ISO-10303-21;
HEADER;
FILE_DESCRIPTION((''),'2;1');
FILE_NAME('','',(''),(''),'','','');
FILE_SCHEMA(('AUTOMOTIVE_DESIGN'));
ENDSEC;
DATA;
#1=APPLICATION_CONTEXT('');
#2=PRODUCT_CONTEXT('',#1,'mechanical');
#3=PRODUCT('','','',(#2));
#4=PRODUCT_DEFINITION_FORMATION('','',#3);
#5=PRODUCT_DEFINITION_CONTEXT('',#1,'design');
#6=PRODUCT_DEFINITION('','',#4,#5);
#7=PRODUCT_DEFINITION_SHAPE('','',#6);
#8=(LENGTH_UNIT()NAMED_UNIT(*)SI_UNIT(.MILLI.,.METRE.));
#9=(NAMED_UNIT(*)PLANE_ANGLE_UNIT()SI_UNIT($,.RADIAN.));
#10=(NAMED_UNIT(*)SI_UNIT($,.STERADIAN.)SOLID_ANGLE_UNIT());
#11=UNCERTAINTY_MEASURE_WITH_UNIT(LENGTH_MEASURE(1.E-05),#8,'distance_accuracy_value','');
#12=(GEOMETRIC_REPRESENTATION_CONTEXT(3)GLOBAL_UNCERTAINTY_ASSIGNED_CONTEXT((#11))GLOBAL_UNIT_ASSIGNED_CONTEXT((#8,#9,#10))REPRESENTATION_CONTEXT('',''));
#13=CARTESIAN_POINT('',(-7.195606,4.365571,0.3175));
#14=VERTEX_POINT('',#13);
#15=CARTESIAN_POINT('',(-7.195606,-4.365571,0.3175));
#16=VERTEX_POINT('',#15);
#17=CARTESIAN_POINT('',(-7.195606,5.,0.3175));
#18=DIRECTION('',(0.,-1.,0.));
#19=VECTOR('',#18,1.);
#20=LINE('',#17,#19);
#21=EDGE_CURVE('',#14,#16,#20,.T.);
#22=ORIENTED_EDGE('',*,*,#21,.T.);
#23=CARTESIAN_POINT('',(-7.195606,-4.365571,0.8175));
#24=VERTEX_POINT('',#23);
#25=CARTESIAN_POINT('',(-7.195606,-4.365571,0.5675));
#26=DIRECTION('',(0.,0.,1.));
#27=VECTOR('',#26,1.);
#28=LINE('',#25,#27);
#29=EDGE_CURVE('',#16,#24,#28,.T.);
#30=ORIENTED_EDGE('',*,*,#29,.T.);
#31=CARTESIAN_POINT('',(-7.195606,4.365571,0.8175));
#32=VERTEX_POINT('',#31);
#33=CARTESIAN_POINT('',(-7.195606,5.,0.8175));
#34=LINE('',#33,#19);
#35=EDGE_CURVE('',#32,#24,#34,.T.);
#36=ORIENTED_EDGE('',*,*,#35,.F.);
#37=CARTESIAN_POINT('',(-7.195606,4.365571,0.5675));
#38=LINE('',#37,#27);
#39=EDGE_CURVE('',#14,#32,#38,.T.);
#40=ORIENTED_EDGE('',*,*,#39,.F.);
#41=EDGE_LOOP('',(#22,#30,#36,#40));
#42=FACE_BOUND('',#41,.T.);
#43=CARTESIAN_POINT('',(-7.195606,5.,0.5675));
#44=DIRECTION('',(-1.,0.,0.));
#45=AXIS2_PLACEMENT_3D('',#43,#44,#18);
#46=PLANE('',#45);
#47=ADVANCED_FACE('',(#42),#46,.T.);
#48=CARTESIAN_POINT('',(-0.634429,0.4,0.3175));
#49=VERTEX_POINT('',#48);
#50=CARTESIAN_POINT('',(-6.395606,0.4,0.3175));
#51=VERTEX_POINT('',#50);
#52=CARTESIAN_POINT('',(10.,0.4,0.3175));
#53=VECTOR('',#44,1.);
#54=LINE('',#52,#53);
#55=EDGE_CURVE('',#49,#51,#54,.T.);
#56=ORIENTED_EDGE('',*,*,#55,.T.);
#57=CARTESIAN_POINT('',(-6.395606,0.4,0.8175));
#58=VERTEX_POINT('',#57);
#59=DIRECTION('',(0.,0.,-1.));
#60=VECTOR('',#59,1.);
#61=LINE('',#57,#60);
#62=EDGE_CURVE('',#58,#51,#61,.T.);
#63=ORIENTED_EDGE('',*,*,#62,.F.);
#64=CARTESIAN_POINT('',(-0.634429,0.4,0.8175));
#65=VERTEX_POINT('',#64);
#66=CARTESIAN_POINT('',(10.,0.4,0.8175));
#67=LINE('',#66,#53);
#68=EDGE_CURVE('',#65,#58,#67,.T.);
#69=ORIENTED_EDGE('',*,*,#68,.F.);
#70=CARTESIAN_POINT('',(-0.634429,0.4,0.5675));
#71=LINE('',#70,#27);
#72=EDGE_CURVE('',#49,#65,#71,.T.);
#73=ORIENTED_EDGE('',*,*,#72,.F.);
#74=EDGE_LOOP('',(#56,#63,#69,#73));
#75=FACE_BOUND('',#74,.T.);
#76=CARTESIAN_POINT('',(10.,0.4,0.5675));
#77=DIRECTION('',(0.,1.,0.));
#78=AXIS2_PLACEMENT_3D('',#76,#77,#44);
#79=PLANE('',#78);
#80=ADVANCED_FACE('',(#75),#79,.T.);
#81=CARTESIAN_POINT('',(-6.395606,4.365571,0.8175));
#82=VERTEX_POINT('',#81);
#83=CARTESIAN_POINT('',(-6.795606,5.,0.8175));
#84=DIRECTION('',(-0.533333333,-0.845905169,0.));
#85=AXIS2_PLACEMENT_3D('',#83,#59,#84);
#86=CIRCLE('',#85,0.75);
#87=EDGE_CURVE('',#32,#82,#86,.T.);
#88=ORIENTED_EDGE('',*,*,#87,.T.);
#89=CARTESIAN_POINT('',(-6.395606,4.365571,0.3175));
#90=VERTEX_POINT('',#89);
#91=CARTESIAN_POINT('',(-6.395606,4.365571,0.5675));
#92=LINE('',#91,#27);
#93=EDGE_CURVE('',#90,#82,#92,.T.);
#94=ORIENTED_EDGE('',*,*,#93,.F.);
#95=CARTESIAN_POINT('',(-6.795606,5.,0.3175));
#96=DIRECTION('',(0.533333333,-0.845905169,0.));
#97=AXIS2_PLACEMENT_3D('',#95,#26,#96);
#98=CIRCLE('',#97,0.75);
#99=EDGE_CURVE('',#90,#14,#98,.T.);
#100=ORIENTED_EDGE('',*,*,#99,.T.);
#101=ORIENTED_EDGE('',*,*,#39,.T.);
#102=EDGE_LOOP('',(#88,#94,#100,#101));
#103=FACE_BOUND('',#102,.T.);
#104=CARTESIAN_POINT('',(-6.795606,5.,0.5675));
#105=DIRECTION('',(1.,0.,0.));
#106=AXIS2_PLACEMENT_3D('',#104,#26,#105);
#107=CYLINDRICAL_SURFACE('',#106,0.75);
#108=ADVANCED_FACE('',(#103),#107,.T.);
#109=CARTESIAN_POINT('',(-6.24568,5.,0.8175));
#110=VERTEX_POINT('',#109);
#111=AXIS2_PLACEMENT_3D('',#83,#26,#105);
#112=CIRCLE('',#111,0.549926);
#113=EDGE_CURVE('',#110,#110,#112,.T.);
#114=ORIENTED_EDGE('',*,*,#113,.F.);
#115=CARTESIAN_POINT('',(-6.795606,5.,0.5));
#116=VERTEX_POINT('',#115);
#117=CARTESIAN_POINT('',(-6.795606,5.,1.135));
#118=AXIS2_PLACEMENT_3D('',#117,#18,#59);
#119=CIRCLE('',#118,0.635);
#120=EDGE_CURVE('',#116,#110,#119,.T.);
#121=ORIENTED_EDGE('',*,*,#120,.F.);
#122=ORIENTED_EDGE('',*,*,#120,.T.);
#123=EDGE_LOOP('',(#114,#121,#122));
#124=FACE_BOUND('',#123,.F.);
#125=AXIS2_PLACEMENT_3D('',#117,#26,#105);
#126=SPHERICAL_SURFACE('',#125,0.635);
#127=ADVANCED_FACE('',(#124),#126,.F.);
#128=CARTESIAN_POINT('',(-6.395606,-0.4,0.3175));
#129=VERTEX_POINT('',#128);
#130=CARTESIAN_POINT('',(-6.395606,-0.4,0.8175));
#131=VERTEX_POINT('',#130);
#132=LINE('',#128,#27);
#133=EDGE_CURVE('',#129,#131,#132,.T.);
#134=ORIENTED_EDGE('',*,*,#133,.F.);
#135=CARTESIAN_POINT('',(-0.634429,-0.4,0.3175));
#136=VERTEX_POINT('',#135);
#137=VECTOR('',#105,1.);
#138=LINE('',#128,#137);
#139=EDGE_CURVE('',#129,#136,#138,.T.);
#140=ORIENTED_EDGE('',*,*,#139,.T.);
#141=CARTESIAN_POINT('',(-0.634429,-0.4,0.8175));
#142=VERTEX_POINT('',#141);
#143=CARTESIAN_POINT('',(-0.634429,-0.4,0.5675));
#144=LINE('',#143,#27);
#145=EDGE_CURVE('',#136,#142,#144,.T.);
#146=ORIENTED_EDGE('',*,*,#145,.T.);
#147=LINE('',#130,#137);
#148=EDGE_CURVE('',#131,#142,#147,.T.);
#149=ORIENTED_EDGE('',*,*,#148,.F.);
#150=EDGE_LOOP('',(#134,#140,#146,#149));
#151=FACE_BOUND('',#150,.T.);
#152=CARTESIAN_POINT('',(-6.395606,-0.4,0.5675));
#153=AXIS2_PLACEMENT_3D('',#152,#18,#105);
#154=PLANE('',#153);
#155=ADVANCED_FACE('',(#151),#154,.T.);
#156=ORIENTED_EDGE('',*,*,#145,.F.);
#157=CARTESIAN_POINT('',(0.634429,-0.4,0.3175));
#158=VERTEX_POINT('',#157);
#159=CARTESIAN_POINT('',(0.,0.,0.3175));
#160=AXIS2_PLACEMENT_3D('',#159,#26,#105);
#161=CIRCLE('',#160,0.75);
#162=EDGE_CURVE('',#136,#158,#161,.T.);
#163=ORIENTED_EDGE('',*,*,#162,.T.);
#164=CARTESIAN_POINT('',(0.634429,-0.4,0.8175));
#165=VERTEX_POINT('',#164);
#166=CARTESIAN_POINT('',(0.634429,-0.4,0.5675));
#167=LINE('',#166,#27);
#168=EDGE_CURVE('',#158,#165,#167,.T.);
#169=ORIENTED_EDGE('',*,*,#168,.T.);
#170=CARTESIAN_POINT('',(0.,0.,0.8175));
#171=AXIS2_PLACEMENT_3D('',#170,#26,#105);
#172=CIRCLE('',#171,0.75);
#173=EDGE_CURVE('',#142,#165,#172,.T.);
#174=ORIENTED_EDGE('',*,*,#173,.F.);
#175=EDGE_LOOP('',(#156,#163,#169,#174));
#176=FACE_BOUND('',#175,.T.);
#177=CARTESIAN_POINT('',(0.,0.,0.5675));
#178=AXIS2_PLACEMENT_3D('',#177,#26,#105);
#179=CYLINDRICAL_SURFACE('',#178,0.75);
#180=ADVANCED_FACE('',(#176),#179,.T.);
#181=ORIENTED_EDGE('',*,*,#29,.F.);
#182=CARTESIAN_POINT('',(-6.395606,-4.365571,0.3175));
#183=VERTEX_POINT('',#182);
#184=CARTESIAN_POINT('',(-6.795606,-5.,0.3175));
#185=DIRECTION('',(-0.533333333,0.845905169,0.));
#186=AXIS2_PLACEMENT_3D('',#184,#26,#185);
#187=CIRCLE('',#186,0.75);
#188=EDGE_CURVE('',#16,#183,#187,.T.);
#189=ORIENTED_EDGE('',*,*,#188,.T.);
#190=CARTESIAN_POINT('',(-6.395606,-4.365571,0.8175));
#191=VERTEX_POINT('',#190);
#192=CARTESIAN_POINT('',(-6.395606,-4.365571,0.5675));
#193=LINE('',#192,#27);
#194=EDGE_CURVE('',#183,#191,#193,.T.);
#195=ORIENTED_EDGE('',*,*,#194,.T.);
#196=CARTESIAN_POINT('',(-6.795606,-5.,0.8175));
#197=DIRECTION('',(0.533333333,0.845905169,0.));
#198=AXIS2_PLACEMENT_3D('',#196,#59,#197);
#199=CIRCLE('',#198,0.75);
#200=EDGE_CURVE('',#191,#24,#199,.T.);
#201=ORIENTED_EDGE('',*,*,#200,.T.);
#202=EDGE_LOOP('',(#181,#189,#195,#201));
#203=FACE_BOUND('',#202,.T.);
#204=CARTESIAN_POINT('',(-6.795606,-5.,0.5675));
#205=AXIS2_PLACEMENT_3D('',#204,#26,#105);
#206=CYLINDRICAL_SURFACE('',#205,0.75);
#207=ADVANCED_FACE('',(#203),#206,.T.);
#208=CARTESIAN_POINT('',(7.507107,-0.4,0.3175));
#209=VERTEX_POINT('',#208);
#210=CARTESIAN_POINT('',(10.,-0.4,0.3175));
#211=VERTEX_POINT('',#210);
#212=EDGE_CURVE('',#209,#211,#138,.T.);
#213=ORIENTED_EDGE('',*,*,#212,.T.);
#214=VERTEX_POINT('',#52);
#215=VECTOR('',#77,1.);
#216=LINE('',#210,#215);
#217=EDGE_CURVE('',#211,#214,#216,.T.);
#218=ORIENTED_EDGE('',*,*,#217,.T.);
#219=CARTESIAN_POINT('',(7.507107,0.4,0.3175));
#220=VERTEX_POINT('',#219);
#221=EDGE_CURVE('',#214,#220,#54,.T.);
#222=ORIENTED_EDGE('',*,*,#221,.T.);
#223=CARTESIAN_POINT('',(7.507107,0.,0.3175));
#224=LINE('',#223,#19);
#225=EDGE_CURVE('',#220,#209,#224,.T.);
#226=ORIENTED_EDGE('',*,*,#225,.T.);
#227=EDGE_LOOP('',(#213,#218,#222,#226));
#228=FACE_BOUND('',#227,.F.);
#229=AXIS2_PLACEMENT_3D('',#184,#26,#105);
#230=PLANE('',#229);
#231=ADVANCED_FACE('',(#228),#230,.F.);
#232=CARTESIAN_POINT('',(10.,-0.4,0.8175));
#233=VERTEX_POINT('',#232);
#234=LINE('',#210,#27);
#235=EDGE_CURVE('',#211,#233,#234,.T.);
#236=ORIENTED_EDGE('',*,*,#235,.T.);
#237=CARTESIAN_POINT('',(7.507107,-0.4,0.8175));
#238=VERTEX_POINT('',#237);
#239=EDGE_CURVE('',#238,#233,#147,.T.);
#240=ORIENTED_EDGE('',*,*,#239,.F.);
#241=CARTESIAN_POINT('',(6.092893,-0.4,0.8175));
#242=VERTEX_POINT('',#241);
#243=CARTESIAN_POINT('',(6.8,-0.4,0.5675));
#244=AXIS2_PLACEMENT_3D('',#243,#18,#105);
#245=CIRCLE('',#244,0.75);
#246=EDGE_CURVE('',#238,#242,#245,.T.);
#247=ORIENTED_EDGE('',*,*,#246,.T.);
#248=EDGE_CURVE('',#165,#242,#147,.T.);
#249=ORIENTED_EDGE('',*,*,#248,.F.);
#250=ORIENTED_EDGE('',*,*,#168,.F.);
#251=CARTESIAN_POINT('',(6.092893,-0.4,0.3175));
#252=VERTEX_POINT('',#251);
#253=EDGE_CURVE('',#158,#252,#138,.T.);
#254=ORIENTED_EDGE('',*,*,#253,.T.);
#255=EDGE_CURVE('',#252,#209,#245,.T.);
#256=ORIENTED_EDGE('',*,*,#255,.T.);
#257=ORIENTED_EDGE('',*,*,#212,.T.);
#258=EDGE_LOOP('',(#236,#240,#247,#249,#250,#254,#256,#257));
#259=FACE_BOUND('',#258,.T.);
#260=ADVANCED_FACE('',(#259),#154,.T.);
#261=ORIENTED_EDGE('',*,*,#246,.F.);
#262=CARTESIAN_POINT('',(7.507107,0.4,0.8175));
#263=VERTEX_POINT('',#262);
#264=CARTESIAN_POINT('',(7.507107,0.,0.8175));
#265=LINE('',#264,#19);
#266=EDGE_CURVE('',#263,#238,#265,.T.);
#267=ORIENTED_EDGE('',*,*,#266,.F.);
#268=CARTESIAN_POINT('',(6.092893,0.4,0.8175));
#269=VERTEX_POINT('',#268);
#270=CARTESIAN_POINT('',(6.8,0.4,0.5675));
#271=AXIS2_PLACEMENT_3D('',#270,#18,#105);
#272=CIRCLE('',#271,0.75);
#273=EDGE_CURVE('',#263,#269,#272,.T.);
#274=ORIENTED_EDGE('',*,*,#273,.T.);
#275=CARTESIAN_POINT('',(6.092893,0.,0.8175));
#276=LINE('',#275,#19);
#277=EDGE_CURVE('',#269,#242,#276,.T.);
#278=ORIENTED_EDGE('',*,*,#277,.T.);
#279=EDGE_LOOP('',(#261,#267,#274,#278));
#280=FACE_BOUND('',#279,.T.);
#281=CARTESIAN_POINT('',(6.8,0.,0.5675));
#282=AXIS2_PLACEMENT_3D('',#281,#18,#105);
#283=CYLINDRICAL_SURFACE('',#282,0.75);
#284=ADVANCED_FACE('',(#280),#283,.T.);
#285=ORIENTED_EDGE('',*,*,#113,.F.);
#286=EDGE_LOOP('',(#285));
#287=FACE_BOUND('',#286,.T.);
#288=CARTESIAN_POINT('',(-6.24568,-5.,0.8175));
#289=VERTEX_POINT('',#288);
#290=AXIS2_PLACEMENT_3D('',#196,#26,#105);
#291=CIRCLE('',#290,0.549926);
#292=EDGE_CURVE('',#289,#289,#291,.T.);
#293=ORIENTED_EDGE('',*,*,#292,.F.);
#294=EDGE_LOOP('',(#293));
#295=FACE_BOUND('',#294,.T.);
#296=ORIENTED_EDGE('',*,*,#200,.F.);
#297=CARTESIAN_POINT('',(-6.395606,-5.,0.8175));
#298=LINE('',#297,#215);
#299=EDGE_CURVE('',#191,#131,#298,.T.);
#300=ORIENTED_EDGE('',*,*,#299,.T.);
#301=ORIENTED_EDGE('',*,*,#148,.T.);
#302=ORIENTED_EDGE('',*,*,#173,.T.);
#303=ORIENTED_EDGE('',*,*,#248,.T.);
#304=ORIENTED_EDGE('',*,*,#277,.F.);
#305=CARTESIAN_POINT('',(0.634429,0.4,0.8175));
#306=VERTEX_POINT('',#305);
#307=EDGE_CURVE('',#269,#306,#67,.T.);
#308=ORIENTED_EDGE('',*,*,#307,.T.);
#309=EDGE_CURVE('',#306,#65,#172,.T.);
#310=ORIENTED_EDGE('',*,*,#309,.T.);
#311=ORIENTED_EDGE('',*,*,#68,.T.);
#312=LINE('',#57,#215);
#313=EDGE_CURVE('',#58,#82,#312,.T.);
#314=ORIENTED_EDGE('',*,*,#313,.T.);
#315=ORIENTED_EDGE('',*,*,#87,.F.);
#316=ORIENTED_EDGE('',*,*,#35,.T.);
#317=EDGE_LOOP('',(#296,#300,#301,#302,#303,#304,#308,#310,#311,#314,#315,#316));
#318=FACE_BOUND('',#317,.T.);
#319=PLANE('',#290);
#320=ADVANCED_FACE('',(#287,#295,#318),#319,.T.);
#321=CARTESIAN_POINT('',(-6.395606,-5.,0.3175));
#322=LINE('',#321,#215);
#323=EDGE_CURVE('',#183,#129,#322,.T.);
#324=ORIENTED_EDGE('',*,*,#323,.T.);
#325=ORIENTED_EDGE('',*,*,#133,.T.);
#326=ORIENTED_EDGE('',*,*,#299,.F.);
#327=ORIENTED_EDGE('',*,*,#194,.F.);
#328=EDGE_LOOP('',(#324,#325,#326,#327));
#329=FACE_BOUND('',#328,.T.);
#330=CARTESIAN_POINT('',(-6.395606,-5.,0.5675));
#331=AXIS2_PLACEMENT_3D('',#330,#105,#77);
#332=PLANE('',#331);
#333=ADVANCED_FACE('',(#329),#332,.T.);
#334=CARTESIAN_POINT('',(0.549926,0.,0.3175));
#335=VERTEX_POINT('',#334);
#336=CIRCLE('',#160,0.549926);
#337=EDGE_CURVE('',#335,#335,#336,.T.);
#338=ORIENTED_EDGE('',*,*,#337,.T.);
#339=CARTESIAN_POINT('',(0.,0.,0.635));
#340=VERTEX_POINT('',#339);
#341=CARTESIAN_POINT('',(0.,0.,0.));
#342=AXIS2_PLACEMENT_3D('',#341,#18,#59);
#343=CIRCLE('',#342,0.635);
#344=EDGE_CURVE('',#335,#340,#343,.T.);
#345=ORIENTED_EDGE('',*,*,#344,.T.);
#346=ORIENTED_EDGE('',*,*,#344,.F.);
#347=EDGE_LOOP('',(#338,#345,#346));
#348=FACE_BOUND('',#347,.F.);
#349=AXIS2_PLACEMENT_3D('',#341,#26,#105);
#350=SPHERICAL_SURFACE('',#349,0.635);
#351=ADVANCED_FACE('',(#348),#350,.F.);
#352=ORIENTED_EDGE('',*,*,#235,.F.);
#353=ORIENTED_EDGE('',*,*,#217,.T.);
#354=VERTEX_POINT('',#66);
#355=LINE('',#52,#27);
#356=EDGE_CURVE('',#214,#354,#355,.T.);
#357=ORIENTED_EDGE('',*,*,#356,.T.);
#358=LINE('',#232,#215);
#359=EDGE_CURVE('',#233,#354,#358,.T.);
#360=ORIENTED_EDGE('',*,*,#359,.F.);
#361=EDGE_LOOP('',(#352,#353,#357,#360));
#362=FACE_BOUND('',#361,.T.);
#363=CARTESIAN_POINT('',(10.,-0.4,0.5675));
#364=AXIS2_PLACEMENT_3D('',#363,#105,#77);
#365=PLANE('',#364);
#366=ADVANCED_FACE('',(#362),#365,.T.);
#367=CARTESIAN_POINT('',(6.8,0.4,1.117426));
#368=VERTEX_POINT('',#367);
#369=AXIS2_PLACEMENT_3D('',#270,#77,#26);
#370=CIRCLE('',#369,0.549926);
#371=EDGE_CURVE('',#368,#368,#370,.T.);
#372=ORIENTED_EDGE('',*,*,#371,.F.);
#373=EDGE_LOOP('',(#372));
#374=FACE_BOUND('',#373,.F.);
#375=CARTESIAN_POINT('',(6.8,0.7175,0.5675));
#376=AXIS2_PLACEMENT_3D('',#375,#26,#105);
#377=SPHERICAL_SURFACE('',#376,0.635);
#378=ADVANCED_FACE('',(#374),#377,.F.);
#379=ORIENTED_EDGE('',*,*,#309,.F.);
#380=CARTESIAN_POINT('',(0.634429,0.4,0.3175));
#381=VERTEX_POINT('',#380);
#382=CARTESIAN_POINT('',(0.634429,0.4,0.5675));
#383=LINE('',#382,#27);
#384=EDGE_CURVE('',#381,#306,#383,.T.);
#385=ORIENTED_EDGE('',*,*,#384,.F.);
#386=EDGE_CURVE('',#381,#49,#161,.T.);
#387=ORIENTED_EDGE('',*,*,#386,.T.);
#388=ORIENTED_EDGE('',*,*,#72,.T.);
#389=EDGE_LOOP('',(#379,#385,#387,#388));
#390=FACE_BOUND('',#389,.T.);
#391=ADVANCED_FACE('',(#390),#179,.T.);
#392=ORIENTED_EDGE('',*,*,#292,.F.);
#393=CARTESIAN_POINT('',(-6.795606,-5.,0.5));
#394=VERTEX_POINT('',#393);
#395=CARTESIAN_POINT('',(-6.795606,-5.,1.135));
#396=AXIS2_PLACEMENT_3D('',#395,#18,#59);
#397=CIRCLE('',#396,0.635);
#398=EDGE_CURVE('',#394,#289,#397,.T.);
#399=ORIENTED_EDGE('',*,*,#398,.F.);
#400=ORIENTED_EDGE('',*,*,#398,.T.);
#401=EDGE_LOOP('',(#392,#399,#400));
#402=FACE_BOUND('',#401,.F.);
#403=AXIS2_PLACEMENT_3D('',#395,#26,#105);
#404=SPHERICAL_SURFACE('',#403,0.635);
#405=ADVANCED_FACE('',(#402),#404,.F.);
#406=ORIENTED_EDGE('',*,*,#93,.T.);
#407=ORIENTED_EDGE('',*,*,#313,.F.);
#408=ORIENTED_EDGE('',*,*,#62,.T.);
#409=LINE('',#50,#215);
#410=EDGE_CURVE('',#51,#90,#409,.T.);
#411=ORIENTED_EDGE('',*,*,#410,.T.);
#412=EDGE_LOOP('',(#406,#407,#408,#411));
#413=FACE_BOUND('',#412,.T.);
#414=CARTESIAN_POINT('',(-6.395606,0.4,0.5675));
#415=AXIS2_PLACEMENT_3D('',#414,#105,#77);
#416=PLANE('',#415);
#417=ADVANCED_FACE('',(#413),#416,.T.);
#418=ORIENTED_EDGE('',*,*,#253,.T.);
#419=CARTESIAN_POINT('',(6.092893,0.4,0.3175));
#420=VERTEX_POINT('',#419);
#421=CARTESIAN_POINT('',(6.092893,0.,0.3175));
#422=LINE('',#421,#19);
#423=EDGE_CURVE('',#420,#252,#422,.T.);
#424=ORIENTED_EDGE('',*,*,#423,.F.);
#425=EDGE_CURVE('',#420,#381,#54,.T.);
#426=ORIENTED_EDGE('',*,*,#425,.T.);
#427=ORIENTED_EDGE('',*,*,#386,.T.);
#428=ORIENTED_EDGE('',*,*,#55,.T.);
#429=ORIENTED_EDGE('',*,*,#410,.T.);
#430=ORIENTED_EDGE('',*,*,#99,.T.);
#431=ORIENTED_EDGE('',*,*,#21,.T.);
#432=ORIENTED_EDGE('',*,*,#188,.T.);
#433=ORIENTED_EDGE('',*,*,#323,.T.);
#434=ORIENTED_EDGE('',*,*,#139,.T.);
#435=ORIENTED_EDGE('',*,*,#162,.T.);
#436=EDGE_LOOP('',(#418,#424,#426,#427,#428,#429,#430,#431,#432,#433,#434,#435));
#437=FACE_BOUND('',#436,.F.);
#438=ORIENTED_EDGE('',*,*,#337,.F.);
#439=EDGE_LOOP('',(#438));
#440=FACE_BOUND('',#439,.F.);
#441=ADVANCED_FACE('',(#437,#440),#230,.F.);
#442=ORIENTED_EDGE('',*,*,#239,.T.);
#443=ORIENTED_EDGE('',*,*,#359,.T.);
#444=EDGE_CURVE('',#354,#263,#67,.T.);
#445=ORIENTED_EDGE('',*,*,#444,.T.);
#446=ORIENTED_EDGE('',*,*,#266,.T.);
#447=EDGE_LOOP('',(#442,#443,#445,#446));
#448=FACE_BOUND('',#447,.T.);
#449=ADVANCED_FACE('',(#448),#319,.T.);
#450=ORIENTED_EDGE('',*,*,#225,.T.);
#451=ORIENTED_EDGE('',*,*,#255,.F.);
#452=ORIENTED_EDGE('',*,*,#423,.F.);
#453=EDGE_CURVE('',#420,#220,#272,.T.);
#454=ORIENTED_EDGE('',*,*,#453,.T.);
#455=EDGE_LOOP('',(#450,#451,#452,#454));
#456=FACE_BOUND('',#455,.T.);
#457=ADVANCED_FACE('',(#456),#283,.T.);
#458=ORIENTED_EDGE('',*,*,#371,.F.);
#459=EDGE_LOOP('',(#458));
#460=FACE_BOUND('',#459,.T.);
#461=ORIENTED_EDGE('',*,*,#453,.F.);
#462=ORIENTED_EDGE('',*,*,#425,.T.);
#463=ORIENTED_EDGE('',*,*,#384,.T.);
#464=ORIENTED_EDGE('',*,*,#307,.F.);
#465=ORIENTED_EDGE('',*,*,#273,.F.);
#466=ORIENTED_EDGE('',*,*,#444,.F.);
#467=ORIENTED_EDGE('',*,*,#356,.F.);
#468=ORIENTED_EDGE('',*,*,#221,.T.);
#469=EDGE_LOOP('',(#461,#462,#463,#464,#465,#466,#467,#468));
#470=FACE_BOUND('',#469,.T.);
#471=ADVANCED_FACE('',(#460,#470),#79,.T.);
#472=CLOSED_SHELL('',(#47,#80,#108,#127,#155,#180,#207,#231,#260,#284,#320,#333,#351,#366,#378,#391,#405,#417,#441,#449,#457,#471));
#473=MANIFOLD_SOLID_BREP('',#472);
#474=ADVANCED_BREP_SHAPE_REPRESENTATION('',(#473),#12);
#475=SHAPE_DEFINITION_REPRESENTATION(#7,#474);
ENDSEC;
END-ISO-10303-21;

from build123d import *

# Parameters (mm, degrees)
PAD_DEPTH    = 0.25
SKETCH001_R  = 0.75
PAD001_DEPTH = 0.25
SKETCH002_R  = 0.75
PAD002_DEPTH = 0.25
SKETCH003_R  = 0.75
PAD003_DEPTH = 0.25
SKETCH004_R  = 0.75
PAD004_DEPTH = 0.4


with BuildPart() as part:
    # Sketch (on DatumPlane) → Pad (new body, symmetric)
    with BuildSketch(Plane.XY.offset(0.5675)):
        Polygon((-7.195606, 5), (-7.195606, 0), (-7.195606, -5), (-6.795606, -5), (-6.395606, -5), (-6.395606, -0.4), (10, -0.4), (10, 0.4), (-6.395606, 0.4), (-6.395606, 5), (-6.795606, 5), align=None)
    extrude(amount=PAD_DEPTH, both=True)

    # Sketch001 (on DatumPlane) → Pad001 (join, symmetric)
    with BuildSketch(Plane.XY.offset(0.5675)):
        Circle(SKETCH001_R)
    extrude(amount=PAD001_DEPTH, both=True)

    # Sketch002 (on DatumPlane) → Pad002 (join, symmetric)
    with BuildSketch(Plane.XY.offset(0.5675)):
        with Locations((-6.795606, 5)):
            Circle(SKETCH002_R)
    extrude(amount=PAD002_DEPTH, both=True)

    # Sketch003 (on DatumPlane) → Pad003 (join, symmetric)
    with BuildSketch(Plane.XY.offset(0.5675)):
        with Locations((-6.795606, -5)):
            Circle(SKETCH003_R)
    extrude(amount=PAD003_DEPTH, both=True)

    # Sphere → Sphere (revolve, cut)
    with BuildSketch(Plane.XZ):
        with BuildLine():
            ThreePointArc((0, -0.635), (0.635, 0), (0, 0.635))
            Line((0, 0.635), (0, -0.635))
        make_face()
    revolve(axis=Axis((0, 0, 0), (0, 0, 1)), mode=Mode.SUBTRACT)

    # Sphere001 → Sphere001 (revolve, cut)
    with BuildSketch(Plane(origin=(-6.795606, 5, 1.135), x_dir=(1, 0, 0), z_dir=(0, -1, 0))):
        with BuildLine():
            ThreePointArc((0, -0.635), (0.635, 0), (0, 0.635))
            Line((0, 0.635), (0, -0.635))
        make_face()
    revolve(axis=Axis((-6.795606, 5, 1.135), (0, 0, 1)), mode=Mode.SUBTRACT)

    # Sphere002 → Sphere002 (revolve, cut)
    with BuildSketch(Plane(origin=(-6.795606, -5, 1.135), x_dir=(1, 0, 0), z_dir=(0, -1, 0))):
        with BuildLine():
            ThreePointArc((0, -0.635), (0.635, 0), (0, 0.635))
            Line((0, 0.635), (0, -0.635))
        make_face()
    revolve(axis=Axis((-6.795606, -5, 1.135), (0, 0, 1)), mode=Mode.SUBTRACT)

    # Sketch004 (on DatumPlane) → Pad004 (join, symmetric)
    with BuildSketch(Plane(origin=(0, 0, 0.5675), x_dir=(1, 0, 0), z_dir=(0, -1, 0))):
        with Locations((6.8, 0)):
            Circle(SKETCH004_R)
    extrude(amount=PAD004_DEPTH, both=True)

    # Sphere003 → Sphere003 (revolve, cut)
    with BuildSketch(Plane(origin=(6.8, 0.7175, 0.5675), x_dir=(1, 0, 0), z_dir=(0, -1, 0))):
        with BuildLine():
            ThreePointArc((0, -0.635), (0.635, 0), (0, 0.635))
            Line((0, 0.635), (0, -0.635))
        make_face()
    revolve(axis=Axis((6.8, 0.7175, 0.5675), (0, 0, 1)), mode=Mode.SUBTRACT)


solid = part.part
